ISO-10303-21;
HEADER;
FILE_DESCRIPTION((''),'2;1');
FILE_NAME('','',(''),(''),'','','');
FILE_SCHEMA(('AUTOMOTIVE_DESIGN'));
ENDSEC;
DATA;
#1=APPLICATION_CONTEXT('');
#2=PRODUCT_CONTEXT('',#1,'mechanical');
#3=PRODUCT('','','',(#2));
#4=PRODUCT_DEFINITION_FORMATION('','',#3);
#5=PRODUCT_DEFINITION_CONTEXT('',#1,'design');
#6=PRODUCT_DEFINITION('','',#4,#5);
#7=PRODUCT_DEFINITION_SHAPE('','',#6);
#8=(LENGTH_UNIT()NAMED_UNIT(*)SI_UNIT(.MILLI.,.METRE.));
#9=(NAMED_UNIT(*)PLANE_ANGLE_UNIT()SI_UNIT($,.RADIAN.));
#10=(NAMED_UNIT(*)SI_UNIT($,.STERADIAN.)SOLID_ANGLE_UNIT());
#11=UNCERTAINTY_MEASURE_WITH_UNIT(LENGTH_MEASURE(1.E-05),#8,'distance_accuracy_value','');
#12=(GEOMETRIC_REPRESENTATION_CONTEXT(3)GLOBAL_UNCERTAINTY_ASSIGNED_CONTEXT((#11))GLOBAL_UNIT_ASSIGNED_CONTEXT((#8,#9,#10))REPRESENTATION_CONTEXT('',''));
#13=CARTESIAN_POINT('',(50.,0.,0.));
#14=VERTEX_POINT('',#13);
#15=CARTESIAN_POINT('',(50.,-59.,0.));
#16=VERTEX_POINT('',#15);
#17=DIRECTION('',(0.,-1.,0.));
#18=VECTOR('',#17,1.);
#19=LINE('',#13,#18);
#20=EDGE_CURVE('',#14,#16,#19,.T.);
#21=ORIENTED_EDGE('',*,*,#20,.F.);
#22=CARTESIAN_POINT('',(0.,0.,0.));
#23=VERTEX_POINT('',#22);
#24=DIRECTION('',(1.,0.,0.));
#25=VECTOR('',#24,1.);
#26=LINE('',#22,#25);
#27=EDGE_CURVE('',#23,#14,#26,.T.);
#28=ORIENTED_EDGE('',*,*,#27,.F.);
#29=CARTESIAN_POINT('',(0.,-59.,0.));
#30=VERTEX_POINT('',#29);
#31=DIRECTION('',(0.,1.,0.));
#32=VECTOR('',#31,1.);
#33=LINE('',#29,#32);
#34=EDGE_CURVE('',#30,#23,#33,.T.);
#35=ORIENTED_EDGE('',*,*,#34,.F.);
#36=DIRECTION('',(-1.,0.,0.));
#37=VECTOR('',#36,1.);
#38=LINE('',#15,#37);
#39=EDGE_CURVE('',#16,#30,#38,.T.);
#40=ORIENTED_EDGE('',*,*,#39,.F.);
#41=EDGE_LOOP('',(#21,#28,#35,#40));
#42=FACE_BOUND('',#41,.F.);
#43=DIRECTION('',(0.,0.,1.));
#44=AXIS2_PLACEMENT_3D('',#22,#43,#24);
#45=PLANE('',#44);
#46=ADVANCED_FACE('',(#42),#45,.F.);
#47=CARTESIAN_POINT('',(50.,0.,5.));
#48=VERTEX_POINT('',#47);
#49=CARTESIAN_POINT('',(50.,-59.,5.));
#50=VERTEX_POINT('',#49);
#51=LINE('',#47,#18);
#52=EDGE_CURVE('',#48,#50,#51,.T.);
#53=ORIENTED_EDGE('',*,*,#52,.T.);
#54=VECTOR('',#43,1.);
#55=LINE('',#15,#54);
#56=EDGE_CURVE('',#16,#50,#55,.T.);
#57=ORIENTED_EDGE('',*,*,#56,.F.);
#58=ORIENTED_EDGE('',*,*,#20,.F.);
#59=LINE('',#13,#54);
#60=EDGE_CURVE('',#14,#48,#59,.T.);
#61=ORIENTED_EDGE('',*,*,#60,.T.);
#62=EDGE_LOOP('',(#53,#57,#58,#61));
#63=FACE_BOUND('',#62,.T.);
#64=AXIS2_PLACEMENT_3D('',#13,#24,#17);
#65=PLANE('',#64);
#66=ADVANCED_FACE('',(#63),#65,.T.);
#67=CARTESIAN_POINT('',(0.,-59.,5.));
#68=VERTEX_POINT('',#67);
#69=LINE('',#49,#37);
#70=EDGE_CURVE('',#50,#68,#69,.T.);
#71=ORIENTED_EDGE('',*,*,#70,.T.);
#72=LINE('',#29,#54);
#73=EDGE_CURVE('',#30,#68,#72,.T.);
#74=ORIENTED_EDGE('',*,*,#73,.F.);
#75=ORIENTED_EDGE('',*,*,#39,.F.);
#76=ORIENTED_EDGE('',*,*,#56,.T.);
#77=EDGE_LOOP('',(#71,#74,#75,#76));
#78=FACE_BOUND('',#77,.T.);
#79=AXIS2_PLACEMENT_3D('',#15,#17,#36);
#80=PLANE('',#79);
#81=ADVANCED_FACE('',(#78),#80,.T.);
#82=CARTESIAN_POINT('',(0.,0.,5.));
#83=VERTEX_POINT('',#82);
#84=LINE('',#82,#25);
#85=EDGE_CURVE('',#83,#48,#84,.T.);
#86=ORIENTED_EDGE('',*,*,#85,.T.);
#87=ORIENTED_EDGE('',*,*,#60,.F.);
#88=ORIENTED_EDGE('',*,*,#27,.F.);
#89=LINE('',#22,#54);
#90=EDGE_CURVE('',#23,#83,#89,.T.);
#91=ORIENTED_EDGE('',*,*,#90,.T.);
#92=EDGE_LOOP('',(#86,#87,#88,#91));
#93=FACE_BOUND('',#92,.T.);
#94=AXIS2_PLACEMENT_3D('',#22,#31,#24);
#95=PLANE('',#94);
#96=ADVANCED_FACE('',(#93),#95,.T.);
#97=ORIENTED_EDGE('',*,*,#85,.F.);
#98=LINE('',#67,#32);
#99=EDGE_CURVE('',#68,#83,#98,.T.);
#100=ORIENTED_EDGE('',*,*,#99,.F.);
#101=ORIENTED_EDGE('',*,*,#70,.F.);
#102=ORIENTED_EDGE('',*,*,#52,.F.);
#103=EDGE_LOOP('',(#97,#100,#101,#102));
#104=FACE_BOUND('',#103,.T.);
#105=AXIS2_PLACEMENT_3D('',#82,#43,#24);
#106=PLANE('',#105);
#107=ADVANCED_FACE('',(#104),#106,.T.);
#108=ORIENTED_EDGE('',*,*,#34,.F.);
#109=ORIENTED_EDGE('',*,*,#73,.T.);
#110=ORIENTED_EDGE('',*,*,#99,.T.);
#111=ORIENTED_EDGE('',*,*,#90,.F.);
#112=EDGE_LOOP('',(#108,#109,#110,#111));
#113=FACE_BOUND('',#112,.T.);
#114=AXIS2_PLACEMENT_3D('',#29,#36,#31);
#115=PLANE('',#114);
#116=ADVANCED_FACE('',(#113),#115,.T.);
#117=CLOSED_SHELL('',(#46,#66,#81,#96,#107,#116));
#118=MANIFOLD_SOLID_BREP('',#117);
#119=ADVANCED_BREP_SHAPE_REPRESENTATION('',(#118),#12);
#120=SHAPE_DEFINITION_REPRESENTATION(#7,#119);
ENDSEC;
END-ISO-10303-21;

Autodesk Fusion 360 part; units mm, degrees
sketch "Sketch1" plane through (0, 0, 0) normal (0, 0, 1) x (1, 0, 0)
  line L0 (0, 0) -> (50, 0)
  line L1 (50, 0) -> (50, -59)
  line L2 (50, -59) -> (0, -59)
  line L3 (0, -59) -> (0, 0)
  dimension "d7" = 50
  dimension "d8" = 59
extrude "Extrude1" add sketch "Sketch1" along normal blind 5
equation "perfboard_length = 39 mm"
equation "perfboard_width = 30 mm"
equation "width = perfboard_length + 2 * screw_radius * 2"
equation "length = perfboard_width + 2 * screw_radius * 2"
equation "height = 5 mm"
equation "d7 = length"
equation "d8 = width"
equation "d9 = height"
equation "extra = 100 mm"
equation "screw_radius = 5 mm"
